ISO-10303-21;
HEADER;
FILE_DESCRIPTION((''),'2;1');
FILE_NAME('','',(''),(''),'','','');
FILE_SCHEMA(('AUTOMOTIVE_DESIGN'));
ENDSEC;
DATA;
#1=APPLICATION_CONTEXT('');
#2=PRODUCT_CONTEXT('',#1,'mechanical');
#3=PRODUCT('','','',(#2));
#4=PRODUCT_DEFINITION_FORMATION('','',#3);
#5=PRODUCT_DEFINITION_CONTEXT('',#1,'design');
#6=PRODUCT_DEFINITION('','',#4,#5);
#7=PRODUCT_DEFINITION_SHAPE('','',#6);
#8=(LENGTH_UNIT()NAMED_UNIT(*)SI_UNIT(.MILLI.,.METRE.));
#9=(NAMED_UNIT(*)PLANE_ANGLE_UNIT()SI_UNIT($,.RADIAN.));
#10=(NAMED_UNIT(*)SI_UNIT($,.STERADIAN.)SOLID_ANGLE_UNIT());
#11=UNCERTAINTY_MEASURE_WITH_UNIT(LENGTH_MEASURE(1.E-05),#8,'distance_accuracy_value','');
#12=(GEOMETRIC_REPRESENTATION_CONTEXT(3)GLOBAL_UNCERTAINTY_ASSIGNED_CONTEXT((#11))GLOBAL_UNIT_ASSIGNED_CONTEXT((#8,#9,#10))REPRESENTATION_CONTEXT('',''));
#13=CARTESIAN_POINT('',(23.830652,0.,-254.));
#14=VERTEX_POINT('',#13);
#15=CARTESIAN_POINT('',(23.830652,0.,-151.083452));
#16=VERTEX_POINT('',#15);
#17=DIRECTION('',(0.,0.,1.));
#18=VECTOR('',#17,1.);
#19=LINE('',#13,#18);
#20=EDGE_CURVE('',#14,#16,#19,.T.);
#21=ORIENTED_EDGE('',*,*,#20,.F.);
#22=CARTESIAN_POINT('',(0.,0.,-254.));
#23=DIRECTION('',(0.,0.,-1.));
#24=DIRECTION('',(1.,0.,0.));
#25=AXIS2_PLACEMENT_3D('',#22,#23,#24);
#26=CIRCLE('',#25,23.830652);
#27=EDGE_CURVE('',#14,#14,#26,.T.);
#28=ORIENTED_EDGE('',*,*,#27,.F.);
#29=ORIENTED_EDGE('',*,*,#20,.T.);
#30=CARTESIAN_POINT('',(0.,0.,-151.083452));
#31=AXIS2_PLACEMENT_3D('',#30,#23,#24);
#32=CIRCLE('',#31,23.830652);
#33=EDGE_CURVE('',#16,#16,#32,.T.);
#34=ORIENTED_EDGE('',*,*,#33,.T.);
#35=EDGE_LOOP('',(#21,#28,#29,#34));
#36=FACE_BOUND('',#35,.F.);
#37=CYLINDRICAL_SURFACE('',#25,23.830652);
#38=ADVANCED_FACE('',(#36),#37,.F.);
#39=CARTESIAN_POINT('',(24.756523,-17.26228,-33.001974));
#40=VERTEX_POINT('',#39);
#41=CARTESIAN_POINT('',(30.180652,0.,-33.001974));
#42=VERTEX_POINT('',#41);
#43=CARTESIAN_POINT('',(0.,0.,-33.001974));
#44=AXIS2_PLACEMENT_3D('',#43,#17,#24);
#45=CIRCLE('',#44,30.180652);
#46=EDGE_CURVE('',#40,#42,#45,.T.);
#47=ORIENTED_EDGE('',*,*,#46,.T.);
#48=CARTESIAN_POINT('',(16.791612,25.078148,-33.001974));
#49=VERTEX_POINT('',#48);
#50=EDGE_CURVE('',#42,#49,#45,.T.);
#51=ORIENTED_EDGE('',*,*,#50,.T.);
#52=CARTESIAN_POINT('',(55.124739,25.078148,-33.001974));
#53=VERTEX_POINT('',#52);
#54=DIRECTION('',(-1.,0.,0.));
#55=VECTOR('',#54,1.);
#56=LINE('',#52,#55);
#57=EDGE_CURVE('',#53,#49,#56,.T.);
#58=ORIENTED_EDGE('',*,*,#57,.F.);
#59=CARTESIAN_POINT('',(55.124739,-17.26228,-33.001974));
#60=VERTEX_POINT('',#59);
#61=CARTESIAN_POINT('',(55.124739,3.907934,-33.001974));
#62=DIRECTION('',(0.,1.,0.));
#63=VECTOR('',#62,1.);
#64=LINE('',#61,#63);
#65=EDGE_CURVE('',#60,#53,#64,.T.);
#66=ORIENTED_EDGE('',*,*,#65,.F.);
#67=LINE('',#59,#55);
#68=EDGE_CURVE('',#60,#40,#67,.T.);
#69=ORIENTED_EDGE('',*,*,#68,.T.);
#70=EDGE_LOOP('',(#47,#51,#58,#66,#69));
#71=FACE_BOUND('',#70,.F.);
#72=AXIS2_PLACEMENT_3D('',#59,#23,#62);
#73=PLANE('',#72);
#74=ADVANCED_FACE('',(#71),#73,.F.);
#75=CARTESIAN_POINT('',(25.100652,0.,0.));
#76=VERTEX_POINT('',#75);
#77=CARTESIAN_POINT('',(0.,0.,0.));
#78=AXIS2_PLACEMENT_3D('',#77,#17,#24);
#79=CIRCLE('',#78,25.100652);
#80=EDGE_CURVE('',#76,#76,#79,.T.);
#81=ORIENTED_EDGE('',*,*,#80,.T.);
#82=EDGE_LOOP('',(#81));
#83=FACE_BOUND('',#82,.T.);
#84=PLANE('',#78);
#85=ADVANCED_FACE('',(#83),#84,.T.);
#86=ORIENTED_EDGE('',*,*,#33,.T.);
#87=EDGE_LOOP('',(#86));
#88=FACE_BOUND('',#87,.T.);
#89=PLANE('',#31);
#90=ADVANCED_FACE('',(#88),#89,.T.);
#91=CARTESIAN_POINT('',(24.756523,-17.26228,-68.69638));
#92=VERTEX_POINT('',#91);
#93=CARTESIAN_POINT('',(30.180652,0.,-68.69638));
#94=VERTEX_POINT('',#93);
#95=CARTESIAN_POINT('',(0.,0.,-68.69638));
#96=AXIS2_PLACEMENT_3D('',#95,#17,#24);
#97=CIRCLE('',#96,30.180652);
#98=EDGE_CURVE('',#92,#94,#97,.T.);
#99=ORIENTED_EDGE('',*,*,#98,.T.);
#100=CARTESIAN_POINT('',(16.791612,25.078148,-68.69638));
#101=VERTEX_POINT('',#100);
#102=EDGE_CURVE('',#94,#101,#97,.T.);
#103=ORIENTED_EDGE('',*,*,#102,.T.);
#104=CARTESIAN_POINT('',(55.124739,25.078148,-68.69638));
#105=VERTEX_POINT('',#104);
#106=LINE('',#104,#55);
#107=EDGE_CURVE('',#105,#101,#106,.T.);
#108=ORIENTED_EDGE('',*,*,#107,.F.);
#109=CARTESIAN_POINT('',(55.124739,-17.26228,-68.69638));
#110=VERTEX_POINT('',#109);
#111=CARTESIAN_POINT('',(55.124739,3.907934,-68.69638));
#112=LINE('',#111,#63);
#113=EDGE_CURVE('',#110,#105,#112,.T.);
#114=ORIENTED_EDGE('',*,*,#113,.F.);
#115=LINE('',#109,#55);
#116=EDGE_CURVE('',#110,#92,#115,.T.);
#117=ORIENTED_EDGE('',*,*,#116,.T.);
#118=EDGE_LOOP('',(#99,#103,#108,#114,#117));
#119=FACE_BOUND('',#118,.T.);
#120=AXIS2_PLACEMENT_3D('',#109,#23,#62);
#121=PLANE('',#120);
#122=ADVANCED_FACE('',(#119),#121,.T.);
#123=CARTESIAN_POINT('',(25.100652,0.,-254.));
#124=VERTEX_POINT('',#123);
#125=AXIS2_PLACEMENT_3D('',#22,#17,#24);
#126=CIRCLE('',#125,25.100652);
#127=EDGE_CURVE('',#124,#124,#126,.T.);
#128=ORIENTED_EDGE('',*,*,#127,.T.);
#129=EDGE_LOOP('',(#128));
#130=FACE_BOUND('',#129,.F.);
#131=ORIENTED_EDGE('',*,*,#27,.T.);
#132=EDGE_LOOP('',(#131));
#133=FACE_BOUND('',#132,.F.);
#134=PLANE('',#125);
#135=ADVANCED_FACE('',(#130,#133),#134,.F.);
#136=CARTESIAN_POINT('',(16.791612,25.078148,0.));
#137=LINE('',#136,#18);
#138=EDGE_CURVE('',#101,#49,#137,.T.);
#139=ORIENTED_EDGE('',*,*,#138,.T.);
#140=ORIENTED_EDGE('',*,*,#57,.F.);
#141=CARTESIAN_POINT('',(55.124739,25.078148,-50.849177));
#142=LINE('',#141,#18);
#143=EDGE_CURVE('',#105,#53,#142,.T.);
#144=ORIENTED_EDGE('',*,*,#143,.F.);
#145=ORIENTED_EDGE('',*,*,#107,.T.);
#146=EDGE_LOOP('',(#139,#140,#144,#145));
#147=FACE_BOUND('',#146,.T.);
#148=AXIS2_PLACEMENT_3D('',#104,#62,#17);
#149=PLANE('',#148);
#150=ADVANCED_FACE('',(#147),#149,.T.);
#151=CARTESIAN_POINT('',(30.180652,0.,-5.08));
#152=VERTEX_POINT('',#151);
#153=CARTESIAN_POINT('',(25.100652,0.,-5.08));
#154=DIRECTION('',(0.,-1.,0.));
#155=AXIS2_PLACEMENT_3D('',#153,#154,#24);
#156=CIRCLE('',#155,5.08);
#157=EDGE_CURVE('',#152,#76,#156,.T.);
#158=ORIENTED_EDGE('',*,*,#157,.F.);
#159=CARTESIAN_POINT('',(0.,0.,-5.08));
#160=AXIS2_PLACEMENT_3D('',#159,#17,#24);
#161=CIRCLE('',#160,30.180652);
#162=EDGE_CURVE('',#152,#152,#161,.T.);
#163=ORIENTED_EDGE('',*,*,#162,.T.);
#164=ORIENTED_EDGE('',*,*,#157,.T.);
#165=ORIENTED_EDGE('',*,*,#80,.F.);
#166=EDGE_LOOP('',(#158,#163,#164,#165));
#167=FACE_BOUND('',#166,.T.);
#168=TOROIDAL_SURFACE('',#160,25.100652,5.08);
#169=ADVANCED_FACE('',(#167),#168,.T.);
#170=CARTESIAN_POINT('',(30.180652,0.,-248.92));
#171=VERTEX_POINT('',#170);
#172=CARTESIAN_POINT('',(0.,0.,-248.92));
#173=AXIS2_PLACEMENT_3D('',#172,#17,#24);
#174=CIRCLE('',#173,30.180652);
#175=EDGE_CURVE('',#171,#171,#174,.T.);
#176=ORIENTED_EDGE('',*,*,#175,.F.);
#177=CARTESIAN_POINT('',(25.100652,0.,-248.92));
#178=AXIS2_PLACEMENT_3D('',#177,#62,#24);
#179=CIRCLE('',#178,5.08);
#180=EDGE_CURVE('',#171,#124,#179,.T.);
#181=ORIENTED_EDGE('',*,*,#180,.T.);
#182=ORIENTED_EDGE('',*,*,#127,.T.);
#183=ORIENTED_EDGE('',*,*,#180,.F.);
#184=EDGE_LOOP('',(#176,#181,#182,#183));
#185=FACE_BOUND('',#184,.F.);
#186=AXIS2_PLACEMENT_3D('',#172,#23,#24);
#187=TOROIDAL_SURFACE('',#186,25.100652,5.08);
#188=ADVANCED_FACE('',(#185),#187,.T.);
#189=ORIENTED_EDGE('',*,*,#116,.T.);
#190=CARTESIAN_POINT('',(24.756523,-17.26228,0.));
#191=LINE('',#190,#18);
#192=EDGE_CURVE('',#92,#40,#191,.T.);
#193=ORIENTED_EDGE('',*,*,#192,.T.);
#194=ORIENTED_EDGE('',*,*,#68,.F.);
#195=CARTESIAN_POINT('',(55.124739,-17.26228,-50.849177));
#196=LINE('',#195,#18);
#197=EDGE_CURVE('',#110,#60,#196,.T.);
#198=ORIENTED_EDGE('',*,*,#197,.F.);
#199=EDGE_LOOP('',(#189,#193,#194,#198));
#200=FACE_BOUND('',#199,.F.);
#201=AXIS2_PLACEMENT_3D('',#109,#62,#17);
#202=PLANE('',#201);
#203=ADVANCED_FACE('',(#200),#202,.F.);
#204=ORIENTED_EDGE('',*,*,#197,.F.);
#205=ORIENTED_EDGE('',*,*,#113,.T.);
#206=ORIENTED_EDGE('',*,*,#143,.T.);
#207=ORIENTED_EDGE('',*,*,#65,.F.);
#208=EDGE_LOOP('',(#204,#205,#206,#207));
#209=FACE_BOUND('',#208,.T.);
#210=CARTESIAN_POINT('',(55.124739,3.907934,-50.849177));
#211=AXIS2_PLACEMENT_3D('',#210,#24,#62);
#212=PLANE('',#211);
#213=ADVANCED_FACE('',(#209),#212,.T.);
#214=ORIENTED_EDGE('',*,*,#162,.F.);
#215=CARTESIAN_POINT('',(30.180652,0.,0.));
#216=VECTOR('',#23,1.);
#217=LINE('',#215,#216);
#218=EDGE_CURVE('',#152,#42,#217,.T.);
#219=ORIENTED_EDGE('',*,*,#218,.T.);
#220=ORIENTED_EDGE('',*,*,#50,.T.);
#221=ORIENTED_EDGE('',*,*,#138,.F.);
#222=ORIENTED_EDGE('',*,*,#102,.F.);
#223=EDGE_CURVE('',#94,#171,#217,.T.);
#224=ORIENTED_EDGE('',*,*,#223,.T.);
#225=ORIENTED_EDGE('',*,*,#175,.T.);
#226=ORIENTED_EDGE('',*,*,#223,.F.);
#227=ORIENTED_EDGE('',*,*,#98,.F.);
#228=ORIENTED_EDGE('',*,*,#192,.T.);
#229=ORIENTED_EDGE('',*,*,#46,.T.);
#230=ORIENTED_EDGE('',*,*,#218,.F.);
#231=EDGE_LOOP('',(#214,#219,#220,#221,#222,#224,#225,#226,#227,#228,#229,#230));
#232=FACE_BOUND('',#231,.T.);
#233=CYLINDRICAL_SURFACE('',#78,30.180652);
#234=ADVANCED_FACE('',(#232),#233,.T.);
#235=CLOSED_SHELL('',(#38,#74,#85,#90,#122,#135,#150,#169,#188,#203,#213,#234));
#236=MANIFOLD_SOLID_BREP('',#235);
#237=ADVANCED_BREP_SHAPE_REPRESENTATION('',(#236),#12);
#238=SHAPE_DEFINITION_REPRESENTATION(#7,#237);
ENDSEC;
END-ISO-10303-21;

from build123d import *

# Parameters (mm, degrees)
F0_R     = 30.180652
F1_DEPTH = 254
F2_R     = 23.830652
F3_DEPTH = 102.916548
F4_R     = 5.08
F6_W     = 42.340428
F6_H     = 35.694406
F7_DEPTH = 45.834139


with BuildPart() as f1:
    # F0 (on Top) → F1 (new body)
    with BuildSketch(Plane.XY):
        Circle(F0_R)
    extrude(amount=-F1_DEPTH)

    # F2 (on face) → F3 (cut)
    with BuildSketch(Plane(origin=(0, 0, -254), x_dir=(1, 0, 0), z_dir=(0, 0, -1))):
        Circle(F2_R)
    extrude(amount=-F3_DEPTH, mode=Mode.SUBTRACT)

    # F4
    f4_edges = [f1.edges().sort_by_distance(p)[0] for p in [
        (30.180652, 0, -127),
        (-30.180652, 0, 0),
        (-30.180652, 0, -254),
    ]]
    fillet(f4_edges, radius=F4_R)

    # F6 (on offset) → F7 (join)
    with BuildSketch(Plane.YZ.offset(55.124739)):
        with Locations((3.907934, -50.849177)):
            Rectangle(F6_W, F6_H)
    extrude(amount=-F7_DEPTH)


solid = f1.part
